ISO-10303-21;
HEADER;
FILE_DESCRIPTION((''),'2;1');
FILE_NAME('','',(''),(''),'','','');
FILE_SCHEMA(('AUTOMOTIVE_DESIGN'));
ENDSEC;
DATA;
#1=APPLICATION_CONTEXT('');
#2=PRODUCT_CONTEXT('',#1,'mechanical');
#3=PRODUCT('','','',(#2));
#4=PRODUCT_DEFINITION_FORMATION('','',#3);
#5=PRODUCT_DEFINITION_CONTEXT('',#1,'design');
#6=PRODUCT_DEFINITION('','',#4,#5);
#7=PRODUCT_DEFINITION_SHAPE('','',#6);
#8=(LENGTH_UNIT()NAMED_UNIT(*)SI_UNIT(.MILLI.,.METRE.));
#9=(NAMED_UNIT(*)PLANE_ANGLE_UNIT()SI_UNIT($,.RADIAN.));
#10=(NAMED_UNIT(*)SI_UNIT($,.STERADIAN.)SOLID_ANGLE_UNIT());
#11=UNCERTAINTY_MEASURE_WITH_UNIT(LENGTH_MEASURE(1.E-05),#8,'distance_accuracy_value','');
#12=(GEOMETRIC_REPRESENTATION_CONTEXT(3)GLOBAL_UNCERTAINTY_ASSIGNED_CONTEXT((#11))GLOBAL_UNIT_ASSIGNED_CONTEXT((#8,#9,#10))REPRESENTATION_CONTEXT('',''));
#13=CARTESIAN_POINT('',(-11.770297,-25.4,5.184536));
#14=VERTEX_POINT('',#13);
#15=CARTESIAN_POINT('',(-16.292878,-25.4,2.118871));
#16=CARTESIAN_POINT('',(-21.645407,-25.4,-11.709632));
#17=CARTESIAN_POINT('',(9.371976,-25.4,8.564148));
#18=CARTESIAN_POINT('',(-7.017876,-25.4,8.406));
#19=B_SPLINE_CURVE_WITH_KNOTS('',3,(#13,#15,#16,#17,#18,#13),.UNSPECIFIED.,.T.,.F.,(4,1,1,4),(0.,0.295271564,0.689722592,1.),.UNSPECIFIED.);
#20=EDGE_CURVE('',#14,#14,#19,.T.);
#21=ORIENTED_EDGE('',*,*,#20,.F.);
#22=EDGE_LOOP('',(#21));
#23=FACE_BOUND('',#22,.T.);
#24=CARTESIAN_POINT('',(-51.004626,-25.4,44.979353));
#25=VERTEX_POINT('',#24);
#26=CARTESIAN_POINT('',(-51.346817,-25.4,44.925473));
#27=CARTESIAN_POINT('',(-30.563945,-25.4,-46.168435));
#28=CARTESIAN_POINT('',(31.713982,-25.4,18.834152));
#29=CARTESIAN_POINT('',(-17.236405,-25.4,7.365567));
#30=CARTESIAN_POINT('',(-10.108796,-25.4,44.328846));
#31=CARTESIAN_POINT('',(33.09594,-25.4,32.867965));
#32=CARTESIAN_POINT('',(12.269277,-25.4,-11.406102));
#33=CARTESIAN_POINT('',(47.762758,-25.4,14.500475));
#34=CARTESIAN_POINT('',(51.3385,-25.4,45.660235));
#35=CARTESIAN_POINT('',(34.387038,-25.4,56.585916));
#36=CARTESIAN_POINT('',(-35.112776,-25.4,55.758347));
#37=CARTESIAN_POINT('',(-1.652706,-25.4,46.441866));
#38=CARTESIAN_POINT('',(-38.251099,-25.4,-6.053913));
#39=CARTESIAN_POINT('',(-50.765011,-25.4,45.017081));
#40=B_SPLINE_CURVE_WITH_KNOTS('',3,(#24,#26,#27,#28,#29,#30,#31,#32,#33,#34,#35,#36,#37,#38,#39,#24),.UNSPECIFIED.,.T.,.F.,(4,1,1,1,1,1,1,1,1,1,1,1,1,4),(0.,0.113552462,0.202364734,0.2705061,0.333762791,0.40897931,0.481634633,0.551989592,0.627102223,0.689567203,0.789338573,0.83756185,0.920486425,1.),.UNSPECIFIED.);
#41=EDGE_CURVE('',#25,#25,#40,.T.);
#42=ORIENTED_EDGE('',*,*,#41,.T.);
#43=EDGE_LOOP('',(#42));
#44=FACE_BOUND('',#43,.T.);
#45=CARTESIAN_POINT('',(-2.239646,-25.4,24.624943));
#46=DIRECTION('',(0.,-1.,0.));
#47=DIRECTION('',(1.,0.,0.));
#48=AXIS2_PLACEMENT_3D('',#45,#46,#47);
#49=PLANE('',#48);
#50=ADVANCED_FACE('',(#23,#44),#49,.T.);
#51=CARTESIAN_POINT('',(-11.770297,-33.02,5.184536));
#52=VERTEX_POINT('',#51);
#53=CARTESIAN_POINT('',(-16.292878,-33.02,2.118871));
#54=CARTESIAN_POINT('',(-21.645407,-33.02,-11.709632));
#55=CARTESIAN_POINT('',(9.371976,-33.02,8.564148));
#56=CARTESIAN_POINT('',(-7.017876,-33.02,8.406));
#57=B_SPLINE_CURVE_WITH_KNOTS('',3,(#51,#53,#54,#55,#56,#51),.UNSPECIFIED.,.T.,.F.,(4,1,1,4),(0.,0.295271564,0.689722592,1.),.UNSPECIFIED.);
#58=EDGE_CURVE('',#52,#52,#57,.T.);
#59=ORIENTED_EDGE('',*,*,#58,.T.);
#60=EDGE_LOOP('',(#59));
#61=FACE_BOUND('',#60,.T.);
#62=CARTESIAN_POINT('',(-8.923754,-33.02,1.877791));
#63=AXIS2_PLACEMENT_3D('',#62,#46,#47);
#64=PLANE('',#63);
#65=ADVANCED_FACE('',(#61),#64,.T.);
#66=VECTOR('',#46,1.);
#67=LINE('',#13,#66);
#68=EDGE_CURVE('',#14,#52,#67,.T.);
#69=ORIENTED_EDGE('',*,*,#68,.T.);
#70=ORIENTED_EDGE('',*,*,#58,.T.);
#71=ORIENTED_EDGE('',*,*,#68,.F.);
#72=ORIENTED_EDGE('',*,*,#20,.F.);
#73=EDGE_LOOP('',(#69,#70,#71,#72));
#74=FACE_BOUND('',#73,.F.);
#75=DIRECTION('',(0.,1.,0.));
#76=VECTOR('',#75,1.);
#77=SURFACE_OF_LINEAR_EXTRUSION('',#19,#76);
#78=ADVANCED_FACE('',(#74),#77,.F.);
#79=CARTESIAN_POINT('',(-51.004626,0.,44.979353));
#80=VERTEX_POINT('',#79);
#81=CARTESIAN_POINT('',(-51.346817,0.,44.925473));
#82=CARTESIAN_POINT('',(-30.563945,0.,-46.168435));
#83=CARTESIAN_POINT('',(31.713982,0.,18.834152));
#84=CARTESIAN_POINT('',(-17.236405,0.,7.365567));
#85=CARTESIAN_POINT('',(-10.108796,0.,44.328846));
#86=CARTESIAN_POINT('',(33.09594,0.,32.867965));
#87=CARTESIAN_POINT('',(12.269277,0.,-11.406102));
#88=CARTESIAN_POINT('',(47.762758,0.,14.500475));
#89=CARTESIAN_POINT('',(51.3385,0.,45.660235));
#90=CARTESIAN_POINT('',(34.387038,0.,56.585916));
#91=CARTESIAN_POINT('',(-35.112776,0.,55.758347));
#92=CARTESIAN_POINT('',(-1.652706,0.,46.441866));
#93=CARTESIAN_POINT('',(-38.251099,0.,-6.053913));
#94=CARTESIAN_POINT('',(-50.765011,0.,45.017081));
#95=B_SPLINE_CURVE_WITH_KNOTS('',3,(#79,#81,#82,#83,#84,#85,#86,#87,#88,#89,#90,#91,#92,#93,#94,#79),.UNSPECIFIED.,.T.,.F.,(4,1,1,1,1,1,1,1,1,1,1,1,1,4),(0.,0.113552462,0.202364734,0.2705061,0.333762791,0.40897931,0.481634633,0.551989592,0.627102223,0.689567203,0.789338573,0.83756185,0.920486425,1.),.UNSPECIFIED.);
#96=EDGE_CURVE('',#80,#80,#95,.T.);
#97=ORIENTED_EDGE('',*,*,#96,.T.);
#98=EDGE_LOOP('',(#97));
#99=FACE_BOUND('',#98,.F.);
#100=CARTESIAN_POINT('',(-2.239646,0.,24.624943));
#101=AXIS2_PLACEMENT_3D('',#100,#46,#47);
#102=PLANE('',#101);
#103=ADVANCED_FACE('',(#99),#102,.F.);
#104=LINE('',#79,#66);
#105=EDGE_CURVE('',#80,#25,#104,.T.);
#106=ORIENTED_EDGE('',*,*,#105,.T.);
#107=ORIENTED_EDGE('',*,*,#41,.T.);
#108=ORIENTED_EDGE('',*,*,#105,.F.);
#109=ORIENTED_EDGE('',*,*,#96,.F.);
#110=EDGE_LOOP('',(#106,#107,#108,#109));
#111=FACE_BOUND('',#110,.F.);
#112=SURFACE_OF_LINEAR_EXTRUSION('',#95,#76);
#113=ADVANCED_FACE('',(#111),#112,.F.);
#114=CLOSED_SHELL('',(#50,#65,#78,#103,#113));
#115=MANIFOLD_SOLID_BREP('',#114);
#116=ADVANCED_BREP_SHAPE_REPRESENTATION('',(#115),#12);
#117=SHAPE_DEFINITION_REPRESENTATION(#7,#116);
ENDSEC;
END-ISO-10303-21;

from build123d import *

# Parameters (mm, degrees)
F1_DEPTH = 25.4
F3_DEPTH = 7.62


with BuildPart() as f1:
    # F0 (on Front) → F1 (new body)
    with BuildSketch(Plane.XZ):
        with BuildLine():
            add(Edge.make_bspline(
                [(-51.0046258569, 44.979352504), (-51.3468170943, 44.9254733588), (-30.5639449846, -46.1684346739), (31.7139821003, 18.8341515143), (-17.2364046363, 7.3655672493), (-10.1087959279, 44.3288455721), (33.0959397166, 32.8679645644), (12.2692774907, -11.4061015976), (47.7627580903, 14.500474804), (51.3384997702, 45.66023477), (34.3870378786, 56.5859156766), (-35.1127758199, 55.7583471323), (-1.6527062305, 46.4418656643), (-38.2510994795, -6.0539133264), (-50.765011075, 45.0170806461), (-51.0046258569, 44.979352504)],
                knots=[0, 0, 0, 0, 0.1135524623, 0.2023647343, 0.2705061003, 0.3337627912, 0.4089793101, 0.4816346332, 0.5519895916, 0.6271022227, 0.6895672026, 0.7893385732, 0.8375618505, 0.9204864254, 1, 1, 1, 1], degree=3))
        make_face()
    extrude(amount=F1_DEPTH)

    # F2 (on face) → F3 (join)
    with BuildSketch(Plane.XZ.offset(25.4)):
        with BuildLine():
            add(Edge.make_bspline(
                [(-11.7702968419, 5.1845363341), (-16.2928782372, 2.1188713634), (-21.6454068887, -11.7096324967), (9.3719758474, 8.564147722), (-7.0178756589, 8.4059998907), (-11.7702968419, 5.1845363341)],
                knots=[0, 0, 0, 0, 0.2952715637, 0.6897225917, 1, 1, 1, 1], degree=3))
        make_face()
    extrude(amount=F3_DEPTH)


solid = f1.part
